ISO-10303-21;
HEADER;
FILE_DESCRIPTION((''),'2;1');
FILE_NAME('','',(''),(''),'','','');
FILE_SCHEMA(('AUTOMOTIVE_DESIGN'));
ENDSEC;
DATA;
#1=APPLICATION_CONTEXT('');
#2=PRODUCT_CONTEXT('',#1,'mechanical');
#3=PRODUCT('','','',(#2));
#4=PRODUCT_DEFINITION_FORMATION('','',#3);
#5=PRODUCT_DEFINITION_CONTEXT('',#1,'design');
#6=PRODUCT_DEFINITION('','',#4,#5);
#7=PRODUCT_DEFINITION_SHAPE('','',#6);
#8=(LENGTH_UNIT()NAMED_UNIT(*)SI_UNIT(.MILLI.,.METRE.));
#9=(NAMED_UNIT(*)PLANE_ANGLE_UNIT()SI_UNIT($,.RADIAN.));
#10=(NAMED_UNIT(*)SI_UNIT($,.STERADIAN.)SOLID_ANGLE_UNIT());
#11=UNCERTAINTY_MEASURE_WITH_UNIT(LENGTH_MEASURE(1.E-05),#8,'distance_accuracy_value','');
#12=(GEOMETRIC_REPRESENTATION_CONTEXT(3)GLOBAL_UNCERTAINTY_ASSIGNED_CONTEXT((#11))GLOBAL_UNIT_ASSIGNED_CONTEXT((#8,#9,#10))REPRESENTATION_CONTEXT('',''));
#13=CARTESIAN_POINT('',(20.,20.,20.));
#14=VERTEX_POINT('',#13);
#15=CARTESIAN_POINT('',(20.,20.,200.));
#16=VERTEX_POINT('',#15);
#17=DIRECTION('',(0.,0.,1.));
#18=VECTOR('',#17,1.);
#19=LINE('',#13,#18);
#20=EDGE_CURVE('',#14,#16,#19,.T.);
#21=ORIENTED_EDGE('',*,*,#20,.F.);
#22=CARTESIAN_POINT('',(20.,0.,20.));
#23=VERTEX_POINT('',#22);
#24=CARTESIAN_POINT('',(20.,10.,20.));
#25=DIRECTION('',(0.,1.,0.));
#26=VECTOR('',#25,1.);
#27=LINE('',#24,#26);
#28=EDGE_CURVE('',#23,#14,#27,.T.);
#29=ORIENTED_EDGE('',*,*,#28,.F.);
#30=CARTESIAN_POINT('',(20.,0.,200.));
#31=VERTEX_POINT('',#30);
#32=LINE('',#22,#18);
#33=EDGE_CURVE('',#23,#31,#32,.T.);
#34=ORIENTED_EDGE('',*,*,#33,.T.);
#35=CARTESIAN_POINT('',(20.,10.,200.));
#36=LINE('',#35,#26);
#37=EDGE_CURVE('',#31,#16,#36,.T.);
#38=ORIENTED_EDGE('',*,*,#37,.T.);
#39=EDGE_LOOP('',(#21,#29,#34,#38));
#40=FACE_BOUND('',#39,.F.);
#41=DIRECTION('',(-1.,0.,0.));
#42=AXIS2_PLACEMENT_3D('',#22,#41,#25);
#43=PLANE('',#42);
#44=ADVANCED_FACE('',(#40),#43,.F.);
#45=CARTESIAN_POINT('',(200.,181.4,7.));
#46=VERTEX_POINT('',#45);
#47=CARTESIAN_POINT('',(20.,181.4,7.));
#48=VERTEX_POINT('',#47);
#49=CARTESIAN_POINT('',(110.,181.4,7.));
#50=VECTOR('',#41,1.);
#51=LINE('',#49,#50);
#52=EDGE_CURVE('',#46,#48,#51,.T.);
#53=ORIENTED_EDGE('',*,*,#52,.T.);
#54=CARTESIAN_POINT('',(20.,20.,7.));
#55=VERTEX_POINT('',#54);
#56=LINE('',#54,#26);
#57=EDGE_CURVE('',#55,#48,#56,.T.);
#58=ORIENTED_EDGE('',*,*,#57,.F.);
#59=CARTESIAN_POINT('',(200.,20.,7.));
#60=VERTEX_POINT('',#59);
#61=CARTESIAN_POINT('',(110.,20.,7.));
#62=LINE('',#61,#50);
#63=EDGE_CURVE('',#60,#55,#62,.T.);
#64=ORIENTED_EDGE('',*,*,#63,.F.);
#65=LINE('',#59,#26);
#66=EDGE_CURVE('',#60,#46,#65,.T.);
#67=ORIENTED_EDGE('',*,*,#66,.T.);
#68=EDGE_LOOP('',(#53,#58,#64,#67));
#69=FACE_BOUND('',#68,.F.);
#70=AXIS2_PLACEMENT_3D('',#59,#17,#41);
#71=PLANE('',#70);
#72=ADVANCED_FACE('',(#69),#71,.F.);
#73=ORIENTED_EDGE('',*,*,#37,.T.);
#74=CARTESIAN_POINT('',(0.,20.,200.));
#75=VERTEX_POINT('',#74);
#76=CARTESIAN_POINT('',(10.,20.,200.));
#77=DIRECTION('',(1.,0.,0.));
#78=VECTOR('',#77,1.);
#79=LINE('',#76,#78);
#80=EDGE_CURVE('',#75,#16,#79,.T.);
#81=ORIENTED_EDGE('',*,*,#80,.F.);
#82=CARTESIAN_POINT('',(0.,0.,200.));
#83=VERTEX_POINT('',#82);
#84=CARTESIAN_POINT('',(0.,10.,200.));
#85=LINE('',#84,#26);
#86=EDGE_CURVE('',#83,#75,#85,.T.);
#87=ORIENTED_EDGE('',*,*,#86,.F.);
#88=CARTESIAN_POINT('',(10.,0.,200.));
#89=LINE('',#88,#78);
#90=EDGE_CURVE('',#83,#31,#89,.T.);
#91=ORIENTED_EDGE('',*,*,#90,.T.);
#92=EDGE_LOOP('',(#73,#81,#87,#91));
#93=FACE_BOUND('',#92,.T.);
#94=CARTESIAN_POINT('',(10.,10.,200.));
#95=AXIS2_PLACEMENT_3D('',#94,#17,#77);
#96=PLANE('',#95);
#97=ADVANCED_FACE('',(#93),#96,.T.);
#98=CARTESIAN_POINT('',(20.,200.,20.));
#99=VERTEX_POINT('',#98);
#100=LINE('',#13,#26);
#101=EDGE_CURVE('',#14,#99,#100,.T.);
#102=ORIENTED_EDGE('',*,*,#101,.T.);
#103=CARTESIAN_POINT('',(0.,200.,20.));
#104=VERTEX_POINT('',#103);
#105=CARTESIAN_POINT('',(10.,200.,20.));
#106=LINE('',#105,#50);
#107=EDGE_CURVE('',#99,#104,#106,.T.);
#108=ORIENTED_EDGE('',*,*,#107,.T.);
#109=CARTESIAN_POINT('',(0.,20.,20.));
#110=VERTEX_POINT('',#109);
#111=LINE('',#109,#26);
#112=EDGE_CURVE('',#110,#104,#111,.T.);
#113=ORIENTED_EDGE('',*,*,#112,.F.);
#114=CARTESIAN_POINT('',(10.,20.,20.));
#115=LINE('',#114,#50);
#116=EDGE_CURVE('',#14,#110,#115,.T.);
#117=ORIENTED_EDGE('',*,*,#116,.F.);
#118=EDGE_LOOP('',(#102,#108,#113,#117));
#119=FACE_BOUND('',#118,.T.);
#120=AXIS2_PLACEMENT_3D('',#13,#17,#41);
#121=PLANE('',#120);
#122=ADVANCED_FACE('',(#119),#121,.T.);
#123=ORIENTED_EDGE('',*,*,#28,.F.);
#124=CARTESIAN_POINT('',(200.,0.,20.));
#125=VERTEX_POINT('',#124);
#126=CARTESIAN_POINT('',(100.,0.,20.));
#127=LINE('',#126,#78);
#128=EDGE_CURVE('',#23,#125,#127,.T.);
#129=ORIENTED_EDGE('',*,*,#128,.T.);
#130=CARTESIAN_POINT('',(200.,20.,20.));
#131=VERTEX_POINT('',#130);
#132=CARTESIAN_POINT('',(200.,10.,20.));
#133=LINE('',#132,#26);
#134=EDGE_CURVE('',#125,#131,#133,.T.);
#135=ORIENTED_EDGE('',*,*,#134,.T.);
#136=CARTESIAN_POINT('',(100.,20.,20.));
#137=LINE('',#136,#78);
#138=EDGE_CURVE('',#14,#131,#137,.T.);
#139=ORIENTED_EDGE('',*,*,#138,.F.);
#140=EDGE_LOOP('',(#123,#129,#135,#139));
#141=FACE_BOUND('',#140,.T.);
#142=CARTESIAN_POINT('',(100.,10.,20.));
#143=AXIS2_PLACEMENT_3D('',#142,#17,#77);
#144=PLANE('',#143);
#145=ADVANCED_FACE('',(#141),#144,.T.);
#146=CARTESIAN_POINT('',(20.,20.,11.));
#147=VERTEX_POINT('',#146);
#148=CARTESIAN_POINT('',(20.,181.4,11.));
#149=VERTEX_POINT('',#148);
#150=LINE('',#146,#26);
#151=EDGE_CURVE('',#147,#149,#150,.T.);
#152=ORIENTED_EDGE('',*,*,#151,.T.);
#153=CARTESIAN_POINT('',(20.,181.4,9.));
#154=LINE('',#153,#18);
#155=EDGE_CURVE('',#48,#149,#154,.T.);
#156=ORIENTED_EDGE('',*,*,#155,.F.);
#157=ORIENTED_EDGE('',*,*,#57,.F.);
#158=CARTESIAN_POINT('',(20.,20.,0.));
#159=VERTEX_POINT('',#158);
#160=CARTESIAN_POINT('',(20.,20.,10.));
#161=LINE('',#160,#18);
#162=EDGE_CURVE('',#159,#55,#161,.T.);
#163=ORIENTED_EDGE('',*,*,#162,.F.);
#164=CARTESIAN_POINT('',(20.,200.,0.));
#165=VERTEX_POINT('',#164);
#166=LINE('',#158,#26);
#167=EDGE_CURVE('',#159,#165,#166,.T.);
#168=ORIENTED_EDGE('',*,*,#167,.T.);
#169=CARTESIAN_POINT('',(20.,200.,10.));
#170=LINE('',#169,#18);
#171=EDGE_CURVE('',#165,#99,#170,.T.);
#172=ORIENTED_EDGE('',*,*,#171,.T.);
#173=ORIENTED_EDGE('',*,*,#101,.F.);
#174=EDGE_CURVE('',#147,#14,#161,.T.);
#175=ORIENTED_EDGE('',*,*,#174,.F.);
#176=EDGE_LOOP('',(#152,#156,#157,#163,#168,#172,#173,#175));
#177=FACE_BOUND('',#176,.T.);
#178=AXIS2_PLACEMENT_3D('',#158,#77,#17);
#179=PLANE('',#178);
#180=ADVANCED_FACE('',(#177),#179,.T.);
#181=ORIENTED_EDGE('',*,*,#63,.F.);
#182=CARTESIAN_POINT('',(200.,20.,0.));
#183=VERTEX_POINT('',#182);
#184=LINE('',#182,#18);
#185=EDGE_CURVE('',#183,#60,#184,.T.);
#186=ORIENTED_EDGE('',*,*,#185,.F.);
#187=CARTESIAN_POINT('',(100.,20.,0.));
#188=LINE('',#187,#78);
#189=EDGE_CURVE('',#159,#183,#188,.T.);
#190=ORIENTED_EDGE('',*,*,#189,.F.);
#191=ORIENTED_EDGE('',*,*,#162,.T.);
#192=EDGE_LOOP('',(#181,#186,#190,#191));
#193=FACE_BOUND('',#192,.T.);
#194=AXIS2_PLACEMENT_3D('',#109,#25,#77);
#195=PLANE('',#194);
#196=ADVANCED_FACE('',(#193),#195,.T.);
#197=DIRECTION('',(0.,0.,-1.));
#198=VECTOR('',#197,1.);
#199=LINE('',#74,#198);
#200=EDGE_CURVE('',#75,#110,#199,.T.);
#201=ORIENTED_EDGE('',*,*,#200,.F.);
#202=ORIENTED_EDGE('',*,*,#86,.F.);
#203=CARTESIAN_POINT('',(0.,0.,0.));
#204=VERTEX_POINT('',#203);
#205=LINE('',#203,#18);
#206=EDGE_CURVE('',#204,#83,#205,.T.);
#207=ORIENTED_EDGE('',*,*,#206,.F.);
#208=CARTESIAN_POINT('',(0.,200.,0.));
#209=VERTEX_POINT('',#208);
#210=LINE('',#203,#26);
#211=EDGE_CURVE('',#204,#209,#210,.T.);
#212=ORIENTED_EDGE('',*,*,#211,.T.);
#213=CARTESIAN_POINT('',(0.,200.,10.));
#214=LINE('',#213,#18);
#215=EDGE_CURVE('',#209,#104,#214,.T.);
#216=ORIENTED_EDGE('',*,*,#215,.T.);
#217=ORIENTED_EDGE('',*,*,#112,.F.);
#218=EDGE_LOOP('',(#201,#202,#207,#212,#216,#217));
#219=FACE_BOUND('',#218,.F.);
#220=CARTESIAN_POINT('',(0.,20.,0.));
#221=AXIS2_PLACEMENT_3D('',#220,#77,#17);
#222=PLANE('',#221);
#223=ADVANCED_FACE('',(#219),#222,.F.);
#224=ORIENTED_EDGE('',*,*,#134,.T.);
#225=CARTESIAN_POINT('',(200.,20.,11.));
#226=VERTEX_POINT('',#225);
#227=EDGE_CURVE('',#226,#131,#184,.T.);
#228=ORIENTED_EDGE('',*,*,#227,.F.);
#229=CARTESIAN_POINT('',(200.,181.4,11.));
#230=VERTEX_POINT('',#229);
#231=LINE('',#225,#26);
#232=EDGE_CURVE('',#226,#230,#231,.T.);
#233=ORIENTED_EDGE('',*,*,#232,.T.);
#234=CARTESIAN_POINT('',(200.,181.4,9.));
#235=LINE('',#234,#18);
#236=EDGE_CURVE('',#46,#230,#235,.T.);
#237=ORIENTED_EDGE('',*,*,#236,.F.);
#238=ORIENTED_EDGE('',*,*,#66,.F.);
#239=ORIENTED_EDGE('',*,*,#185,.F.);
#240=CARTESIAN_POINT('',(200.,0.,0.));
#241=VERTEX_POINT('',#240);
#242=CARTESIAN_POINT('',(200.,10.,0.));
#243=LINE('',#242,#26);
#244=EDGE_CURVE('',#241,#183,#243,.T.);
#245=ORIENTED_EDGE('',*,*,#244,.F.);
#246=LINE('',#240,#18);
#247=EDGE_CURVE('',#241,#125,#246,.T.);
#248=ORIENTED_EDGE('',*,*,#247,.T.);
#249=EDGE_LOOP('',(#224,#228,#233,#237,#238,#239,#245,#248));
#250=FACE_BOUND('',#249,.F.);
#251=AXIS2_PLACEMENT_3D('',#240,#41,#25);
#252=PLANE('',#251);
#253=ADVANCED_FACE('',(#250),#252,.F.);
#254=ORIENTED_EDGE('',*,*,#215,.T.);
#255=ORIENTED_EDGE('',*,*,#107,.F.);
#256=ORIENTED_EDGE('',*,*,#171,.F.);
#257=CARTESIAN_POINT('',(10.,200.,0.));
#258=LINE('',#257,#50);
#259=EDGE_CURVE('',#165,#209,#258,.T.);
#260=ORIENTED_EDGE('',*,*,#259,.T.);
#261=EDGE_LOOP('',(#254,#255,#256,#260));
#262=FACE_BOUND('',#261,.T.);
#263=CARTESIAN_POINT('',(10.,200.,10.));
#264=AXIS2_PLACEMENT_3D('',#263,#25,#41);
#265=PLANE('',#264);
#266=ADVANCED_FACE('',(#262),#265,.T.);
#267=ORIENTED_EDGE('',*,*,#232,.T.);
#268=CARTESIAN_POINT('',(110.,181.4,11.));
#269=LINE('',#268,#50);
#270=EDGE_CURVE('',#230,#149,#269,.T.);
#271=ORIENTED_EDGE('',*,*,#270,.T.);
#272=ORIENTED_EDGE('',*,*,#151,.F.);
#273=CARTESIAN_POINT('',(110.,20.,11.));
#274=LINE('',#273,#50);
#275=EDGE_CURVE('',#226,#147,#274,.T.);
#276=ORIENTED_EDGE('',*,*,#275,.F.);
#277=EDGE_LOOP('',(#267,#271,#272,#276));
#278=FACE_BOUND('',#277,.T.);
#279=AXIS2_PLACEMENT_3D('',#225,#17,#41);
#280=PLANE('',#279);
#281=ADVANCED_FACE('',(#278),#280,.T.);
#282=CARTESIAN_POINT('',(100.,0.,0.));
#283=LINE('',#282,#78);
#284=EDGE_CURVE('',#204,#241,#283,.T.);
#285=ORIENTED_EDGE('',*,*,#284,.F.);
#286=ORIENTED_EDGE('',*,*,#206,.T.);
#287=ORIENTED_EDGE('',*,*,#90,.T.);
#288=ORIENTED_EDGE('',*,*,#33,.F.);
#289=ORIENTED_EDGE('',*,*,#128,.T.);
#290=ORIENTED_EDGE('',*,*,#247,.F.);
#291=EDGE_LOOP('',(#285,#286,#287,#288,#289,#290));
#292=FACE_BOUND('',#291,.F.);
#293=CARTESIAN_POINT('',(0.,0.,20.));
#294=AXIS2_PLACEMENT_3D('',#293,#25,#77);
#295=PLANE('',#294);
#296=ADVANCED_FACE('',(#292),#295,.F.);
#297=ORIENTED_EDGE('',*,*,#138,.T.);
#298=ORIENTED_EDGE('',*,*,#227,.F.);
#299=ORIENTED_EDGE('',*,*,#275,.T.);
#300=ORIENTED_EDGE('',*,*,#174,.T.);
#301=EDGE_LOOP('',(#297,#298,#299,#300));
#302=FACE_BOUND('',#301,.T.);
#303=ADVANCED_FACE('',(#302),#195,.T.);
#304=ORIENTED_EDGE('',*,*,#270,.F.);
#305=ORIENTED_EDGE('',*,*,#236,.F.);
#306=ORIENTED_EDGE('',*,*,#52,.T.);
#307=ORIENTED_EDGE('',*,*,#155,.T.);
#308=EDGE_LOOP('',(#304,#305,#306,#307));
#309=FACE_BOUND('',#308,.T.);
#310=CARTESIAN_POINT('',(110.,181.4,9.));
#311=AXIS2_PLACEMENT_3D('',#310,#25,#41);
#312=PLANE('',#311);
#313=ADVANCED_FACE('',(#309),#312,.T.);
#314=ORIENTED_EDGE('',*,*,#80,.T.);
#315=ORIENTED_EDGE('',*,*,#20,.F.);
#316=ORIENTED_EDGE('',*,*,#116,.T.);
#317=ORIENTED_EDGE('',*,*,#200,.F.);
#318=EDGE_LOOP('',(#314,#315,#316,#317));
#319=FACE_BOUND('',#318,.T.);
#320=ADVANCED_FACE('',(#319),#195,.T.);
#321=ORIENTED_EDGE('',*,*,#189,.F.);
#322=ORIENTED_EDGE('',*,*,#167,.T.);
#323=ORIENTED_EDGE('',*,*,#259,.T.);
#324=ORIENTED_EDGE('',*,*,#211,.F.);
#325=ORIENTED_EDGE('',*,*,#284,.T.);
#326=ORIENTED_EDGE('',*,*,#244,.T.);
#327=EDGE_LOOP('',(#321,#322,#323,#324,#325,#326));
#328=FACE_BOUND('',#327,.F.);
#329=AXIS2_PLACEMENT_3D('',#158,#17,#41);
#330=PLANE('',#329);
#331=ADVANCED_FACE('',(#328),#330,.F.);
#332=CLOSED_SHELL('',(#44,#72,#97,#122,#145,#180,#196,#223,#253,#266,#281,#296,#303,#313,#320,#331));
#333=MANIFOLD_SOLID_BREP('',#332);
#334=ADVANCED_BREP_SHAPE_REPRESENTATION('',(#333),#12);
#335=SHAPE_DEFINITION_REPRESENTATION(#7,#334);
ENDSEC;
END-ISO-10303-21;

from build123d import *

# Parameters (mm, degrees)
F0_W     = 200
F0_H     = 20
F1_DEPTH = 20
F2_W     = 20
F2_H     = 20
F3_DEPTH = 180
F4_W     = 20
F4_H     = 20
F5_DEPTH = 180
F6_W     = 180
F6_H     = 4
F7_DEPTH = 161.4


with BuildPart() as f1:
    # F0 (on Top) → F1 (new body)
    with BuildSketch(Plane.XY):
        with Locations((100, 10)):
            Rectangle(F0_W, F0_H)
    extrude(amount=F1_DEPTH)

    # F2 (on face) → F3 (join)
    with BuildSketch(Plane.XY.offset(20)):
        with Locations((10, 10)):
            Rectangle(F2_W, F2_H)
    extrude(amount=F3_DEPTH)

    # F4 (on face) → F5 (join)
    with BuildSketch(Plane(origin=(0, 20, 0), x_dir=(-1, 0, 0), z_dir=(0, 1, 0))):
        with Locations((-10, 10)):
            Rectangle(F4_W, F4_H)
    extrude(amount=F5_DEPTH)

    # F6 (on face) → F7 (join)
    with BuildSketch(Plane(origin=(0, 20, 0), x_dir=(-1, 0, 0), z_dir=(0, 1, 0))):
        with Locations((-110, 9)):
            Rectangle(F6_W, F6_H)
    extrude(amount=F7_DEPTH)


solid = f1.part
